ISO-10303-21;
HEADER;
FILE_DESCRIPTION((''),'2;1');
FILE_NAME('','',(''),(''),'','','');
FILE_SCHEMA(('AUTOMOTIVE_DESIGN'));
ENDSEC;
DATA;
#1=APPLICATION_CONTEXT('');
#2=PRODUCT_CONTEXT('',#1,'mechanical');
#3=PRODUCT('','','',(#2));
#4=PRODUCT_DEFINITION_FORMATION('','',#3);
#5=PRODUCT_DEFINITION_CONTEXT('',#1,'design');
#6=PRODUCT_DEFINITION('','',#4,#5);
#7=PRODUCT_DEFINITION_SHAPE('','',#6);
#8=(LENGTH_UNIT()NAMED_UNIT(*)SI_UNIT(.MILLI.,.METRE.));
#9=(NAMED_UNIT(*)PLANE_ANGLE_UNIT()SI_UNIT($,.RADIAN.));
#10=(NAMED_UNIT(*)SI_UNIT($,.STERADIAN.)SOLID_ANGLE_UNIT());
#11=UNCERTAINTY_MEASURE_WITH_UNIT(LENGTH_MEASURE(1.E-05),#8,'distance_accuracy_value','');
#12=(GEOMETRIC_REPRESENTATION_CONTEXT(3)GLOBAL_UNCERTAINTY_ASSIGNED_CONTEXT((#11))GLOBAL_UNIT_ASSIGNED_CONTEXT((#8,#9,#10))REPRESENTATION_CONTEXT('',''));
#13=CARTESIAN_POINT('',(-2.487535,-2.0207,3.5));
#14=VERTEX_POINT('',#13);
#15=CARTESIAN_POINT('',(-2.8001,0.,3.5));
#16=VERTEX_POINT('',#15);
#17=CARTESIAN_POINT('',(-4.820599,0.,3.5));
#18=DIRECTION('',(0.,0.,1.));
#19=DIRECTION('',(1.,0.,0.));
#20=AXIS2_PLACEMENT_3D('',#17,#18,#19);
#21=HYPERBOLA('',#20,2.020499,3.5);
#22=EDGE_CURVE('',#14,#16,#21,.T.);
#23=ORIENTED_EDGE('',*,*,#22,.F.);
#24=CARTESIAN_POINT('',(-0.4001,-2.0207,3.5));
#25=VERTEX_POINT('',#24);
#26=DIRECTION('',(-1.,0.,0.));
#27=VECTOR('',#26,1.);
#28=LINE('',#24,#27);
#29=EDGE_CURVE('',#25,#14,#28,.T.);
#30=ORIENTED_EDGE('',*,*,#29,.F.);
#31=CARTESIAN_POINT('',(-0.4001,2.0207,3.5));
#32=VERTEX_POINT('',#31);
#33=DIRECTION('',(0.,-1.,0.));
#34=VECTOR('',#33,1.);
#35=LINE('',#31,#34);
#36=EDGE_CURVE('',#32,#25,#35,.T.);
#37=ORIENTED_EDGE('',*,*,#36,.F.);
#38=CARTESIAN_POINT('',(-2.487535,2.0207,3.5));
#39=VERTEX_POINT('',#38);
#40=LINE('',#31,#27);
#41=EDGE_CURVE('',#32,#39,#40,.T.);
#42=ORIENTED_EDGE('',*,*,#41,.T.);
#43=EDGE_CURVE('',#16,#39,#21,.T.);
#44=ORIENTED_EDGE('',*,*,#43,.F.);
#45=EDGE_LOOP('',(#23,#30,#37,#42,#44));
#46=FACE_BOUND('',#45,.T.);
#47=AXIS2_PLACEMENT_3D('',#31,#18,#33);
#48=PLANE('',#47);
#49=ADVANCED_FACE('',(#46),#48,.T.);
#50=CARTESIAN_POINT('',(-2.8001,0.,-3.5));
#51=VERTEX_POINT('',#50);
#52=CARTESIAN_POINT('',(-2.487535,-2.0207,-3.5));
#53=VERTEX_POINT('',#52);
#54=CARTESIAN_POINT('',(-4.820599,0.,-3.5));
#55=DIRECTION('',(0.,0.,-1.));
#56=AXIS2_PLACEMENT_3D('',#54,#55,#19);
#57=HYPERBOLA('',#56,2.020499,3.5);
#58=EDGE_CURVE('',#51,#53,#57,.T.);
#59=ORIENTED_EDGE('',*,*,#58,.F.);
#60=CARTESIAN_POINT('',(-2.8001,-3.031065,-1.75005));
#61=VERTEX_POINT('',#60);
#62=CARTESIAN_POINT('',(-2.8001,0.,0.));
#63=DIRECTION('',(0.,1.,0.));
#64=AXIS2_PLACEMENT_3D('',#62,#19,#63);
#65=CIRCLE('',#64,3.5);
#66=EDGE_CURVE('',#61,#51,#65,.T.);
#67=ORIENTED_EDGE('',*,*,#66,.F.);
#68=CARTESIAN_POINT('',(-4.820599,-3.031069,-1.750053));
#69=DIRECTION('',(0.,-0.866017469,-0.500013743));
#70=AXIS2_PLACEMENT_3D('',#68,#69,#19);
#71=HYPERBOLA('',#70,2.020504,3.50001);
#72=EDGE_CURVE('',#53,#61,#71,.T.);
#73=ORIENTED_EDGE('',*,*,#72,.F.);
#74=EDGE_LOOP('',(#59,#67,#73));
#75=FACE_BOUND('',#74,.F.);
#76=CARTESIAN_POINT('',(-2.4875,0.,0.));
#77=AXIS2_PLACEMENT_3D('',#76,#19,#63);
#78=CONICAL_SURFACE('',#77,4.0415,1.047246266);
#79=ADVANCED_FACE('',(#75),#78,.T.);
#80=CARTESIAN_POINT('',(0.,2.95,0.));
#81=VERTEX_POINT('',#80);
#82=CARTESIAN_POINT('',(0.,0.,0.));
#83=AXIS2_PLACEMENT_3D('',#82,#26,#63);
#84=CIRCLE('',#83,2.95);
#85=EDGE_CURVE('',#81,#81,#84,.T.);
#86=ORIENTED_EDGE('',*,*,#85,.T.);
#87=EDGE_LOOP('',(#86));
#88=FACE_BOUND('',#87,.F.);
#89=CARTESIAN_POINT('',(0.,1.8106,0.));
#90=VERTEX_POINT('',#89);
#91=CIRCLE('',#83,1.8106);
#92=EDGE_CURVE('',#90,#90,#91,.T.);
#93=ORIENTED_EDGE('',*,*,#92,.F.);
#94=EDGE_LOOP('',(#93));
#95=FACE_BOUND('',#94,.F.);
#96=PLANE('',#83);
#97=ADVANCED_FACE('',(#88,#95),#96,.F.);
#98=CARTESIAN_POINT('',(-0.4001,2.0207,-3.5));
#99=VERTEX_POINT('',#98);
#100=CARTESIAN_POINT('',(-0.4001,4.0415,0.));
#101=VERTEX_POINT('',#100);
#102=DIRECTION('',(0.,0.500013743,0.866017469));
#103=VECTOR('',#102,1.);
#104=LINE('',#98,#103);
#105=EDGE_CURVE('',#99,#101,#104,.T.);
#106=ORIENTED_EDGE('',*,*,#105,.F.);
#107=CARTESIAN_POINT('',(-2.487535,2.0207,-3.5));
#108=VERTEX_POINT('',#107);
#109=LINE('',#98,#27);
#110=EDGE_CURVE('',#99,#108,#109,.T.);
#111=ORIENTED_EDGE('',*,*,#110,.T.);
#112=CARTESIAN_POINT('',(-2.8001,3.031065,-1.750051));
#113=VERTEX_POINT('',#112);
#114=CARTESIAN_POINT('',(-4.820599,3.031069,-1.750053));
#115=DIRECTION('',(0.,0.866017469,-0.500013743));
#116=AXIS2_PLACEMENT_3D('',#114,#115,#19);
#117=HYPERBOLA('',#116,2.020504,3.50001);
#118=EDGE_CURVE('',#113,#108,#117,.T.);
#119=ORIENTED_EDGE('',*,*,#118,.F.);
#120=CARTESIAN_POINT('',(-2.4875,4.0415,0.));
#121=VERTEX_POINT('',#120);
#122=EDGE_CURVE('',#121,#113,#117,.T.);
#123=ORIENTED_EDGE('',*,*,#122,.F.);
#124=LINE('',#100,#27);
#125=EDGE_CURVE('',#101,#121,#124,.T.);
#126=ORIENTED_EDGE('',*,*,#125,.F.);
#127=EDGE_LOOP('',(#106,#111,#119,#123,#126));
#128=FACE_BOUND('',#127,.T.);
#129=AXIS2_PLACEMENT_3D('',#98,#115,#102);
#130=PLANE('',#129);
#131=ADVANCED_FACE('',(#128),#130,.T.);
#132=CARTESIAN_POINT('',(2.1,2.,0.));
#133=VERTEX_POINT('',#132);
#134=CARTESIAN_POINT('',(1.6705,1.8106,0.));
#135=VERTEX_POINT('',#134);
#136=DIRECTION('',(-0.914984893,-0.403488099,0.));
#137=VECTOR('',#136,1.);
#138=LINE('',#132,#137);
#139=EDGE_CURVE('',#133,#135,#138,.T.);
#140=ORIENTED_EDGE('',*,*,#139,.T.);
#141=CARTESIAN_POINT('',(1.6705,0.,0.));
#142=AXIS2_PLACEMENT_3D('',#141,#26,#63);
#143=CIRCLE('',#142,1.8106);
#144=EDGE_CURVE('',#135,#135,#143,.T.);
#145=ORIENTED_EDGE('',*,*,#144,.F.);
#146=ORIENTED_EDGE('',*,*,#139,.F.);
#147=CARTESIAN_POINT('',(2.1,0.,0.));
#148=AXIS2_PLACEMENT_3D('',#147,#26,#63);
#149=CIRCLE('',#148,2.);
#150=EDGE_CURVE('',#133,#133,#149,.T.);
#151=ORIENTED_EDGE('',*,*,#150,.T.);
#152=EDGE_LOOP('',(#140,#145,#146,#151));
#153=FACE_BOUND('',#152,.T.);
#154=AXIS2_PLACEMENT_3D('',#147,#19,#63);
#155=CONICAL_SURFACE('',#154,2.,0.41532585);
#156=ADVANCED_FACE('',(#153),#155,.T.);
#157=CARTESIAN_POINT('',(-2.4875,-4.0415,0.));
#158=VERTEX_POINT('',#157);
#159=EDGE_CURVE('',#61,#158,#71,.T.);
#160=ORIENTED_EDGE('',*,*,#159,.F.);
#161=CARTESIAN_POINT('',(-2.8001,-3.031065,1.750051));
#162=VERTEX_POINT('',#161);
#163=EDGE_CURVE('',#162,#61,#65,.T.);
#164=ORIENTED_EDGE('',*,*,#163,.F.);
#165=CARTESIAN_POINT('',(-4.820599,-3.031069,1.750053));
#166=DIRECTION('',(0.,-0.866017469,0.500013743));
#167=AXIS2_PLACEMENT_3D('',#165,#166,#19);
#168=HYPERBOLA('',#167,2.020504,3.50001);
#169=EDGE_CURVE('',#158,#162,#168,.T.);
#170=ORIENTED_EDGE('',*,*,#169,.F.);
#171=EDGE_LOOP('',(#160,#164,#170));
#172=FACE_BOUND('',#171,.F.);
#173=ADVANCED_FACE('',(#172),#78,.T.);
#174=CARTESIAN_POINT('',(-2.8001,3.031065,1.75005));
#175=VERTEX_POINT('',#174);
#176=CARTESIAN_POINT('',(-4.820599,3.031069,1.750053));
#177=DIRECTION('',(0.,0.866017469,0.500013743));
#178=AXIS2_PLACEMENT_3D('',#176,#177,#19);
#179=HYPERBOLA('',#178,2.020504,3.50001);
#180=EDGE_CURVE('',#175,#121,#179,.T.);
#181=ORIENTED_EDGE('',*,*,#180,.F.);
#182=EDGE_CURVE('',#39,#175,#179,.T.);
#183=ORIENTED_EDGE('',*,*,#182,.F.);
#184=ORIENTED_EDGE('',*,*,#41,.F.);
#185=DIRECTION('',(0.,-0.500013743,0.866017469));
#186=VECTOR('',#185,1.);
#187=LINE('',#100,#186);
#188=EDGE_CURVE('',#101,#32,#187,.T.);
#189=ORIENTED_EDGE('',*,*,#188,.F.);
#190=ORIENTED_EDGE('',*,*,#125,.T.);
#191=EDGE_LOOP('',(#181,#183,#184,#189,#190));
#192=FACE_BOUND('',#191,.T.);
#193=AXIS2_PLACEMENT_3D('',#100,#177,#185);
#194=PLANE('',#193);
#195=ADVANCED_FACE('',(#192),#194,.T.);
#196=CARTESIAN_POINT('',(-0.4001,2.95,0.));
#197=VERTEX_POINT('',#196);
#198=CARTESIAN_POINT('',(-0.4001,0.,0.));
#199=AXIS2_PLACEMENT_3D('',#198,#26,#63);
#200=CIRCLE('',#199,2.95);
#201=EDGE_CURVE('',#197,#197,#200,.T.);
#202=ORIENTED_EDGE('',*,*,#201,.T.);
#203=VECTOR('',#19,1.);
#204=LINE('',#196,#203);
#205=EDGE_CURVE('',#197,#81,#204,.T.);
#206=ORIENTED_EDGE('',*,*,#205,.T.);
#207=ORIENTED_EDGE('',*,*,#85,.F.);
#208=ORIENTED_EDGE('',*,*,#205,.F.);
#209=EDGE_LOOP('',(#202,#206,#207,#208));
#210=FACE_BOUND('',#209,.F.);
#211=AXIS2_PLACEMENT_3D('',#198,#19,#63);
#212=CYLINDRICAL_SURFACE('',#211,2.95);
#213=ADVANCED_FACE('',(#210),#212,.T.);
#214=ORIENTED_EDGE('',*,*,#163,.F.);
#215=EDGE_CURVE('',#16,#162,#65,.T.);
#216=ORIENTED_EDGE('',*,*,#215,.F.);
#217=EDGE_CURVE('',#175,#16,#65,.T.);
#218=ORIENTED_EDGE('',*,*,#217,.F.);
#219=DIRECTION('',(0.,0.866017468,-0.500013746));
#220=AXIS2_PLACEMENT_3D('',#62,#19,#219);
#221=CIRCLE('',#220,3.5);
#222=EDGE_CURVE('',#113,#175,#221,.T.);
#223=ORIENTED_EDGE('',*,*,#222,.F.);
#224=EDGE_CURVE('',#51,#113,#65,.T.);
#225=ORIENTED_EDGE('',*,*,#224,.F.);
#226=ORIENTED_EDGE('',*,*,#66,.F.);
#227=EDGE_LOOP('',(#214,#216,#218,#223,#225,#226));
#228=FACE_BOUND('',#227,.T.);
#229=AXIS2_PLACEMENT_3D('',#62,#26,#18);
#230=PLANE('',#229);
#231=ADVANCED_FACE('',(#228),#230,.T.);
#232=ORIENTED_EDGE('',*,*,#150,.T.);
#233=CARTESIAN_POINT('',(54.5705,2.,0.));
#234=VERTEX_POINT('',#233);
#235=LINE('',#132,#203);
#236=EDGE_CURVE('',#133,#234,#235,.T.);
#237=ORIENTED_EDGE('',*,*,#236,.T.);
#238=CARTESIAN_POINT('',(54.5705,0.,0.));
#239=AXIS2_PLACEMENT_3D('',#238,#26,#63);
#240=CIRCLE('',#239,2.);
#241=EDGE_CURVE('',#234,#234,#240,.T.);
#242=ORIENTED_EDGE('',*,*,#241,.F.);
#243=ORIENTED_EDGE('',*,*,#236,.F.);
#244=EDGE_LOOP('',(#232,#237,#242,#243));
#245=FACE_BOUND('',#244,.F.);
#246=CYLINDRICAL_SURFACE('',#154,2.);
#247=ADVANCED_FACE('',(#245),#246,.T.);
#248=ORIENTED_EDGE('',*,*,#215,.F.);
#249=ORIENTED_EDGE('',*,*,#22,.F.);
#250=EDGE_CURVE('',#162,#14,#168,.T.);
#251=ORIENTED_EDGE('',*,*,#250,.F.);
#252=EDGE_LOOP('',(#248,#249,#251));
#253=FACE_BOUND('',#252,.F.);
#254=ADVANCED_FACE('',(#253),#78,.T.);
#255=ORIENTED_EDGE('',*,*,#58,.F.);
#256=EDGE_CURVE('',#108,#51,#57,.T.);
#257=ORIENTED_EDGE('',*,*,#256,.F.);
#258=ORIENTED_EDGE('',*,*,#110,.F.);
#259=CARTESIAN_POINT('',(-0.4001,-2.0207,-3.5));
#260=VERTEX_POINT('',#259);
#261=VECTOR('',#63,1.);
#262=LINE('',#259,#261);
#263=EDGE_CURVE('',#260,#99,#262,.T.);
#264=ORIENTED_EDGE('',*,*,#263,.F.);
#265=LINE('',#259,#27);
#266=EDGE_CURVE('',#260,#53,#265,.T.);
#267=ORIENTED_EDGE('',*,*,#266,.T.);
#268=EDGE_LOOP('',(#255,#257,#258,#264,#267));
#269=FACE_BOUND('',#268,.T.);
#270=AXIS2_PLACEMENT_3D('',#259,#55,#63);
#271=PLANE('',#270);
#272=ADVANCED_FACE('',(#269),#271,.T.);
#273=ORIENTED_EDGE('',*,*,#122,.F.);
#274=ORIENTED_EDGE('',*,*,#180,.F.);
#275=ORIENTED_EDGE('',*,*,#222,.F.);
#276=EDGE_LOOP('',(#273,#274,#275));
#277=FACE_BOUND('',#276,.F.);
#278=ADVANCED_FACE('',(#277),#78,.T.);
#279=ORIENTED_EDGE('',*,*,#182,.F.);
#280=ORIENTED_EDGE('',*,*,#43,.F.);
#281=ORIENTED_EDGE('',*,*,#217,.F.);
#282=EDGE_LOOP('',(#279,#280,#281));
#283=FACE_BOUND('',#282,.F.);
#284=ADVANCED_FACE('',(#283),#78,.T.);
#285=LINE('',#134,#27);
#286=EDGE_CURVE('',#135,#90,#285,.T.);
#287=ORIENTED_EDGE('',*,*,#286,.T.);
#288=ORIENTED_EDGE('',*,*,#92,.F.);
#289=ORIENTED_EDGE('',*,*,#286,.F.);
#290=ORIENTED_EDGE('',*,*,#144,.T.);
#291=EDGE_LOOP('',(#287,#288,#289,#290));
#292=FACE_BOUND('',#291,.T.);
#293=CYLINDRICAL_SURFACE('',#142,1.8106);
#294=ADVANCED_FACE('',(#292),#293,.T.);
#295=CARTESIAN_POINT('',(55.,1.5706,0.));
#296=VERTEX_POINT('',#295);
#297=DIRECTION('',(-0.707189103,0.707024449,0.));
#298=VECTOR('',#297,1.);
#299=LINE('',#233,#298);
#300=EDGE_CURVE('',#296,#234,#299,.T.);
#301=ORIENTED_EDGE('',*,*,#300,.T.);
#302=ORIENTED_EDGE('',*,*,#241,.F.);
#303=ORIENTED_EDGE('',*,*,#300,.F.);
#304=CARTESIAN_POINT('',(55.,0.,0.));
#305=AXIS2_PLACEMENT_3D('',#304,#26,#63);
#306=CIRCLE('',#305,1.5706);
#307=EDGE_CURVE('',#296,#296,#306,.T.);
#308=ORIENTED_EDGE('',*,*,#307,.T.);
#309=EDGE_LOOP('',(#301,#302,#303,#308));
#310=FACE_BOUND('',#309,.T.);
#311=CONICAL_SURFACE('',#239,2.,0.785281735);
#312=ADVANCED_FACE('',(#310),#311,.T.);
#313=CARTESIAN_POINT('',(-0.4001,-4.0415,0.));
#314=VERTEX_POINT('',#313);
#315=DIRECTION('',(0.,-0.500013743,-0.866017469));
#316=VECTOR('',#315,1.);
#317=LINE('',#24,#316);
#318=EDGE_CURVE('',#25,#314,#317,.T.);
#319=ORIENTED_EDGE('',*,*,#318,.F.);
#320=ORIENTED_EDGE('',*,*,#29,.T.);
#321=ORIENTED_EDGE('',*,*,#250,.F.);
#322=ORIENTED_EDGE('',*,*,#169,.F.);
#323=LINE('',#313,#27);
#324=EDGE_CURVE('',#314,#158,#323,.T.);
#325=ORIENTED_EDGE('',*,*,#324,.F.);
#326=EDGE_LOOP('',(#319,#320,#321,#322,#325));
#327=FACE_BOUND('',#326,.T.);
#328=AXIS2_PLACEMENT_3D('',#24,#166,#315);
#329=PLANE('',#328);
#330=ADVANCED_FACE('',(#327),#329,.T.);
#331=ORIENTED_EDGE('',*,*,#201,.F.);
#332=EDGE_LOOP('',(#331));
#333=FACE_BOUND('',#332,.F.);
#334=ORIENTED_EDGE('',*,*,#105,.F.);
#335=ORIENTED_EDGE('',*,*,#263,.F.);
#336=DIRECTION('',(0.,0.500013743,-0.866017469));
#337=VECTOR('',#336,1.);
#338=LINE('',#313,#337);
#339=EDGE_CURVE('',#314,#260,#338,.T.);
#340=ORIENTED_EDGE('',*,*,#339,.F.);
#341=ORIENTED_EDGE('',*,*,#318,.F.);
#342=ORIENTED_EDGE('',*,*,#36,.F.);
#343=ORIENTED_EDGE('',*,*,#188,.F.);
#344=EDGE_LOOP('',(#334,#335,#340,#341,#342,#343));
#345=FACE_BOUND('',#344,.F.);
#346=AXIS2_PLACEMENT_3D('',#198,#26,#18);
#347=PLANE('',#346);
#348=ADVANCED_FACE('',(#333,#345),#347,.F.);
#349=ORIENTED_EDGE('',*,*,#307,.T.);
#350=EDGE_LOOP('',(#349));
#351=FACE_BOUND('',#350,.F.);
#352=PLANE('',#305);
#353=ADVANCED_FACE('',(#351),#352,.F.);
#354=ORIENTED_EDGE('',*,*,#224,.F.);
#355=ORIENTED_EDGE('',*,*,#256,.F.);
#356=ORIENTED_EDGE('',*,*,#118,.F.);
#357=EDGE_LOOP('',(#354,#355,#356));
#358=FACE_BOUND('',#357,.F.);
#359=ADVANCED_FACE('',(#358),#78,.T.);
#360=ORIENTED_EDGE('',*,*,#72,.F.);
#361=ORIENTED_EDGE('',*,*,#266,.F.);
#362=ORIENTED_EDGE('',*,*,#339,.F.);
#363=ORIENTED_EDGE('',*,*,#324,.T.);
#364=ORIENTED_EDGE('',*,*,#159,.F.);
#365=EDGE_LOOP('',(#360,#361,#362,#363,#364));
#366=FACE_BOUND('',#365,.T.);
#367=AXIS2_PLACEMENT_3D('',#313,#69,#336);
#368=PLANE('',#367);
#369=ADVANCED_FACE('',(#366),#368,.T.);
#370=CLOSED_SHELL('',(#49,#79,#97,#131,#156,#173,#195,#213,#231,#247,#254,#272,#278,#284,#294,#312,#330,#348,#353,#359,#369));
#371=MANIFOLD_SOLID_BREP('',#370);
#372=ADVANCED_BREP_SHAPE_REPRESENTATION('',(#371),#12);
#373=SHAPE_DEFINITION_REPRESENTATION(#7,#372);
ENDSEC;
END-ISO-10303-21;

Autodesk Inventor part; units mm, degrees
ref_plane "YZ Plane" through (0, 0, 0) normal (1, 0, 0) x (0, 1, 0)
ref_plane "XZ Plane" through (0, 0, 0) normal (0, 1, 0) x (-1, 0, 0)
sketch "Skizze1" plane through (0, 0, 0) normal (0, 0, 1) x (1, 0, 0)
  line L0 (0, 2.95) -> (0, 1.8106)
  line L1 (2.1, 2) -> (55, 2)
  line L2 (55, 2) -> (55, 0)
  line L3 (55, 0) -> (-0.4001, 0)
  line L4 (-11.4801, 0) -> (66.08, 0) projected
  line L5 (-0.4001, 0) -> (-0.4001, 2.95)
  line L6 (-0.4001, 2.95) -> (0, 2.95)
  line L7 (2.1, 2) -> (1.6705, 1.8106)
  line L8 (1.6705, 1.8106) -> (0, 1.8106)
  line L9 (0, -0.59) -> (0, 3.54) projected
  dimension "d0" = 55
  dimension "d1" = 52.9
  dimension "d2" = 4
  dimension "d9" = 0.4001
  dimension "d10" = 5.9
  dimension "d13" = 0.4295
  dimension "d14" = 3.6211
revolve "Körper" add sketch "Skizze1" angle 360 about axis through (55, 0, 0) along (-1, 0, 0)
sketch "Skizze2" plane through (-0.4001, 0, 0) normal (-1, 0, 0) x (0, 0, 1)
  line L0 (0, 4.0415) -> (3.5, 2.0207)
  line L1 (3.5, 2.0207) -> (3.5, -2.0207)
  line L2 (3.5, -2.0207) -> (0, -4.0415)
  line L3 (0, -4.0415) -> (-3.5, -2.0207)
  line L4 (-3.5, -2.0207) -> (-3.5, 2.0207)
  line L5 (-3.5, 2.0207) -> (0, 4.0415)
  point P0 (0, 0)
  point P1 (0, 0)
  dimension "d11" = 7
extrude "Kopf" add sketch "Skizze2" along normal blind 2.4
sketch "Skizze4" plane through (0, 0, 0) normal (0, 0, 1) x (1, 0, 0)
  line L0 (-2.8001, 3.5) -> (-2.8001, 4.0415)
  line L1 (-2.8001, 4.0415) -> (-2.4875, 4.0415)
  line L2 (-2.4875, 4.0415) -> (-2.8001, 3.5)
  line L3 (-3.2801, 0) -> (0.0799, 0) projected
  line L4 (-0.4001, 4.0415) -> (-2.8001, 4.0415) projected
  line L5 (-2.8001, 2.0207) -> (-2.8001, 4.0415) projected
  dimension "d5" = 30
  dimension "d19" = 7
revolve "Fase1" cut sketch "Skizze4" angle 360 about axis through (-10, 0, 0) along (1, 0, 0)
thread "Gewinde" size "M4x0.7" class "6g" standard "ISO Metric profile" length 52.9
chamfer "Fase2" distance 0.4294 distance2 0.4295 1 edges at (55, -2, 0) measured on face at (55, -0.499, 0.4421)
ref_plane "Work Plane1" through (1.525, 0, 0) normal (0, 0, 1) x (1, 0, 0)
equation "\"d0\" = NLG"
equation "\"d1\" = GEL"
equation "\"d2\" = GD"
equation "\"d10\" = SD2"
equation "\"d14\" = BDM"
equation "\"d11\" = SW"
equation "\"d3\" = KOH - SD"
equation "\"d5\" = ANG1"
equation "\"d19\" = SW0"
equation "\"d15\" = GEL"
equation "\"d6\" = -0.5 * SPD + 0.5 * GD"
equation "\"NLG\" = 55"
equation "\"GD\" = NND"
equation "\"BDM\" = 3.62111"
equation "\"KOH\" = 2.8"
equation "\"GEL\" = 52.9"
equation "\"SW\" = 7"
equation "\"SW0\" = 7"
equation "\"SPD\" = NND - 1.2269 * PTC"
equation "\"SD2\" = 5.9"
equation "\"SD\" = 0.4"
equation "\"ANG1\" = 30deg"
equation "\"GAL\" = 0.61345 * PTC"
equation "\"GUL\" = 0.61345 * PTC"
equation "\"RR\" = 0.2"
equation "\"GD1\" = THREADDIA - 1.2269 * PTC"
equation "\"THREADDIA\" = 4"
equation "\"TOA\" = 30deg"
equation "\"PTC\" = 0.7"
equation "\"NND\" = 4"
equation "\"E0\" = 1.155 * SW"
properties part number "DIN 933 - M4  x 55" material "Stahl, weich"
